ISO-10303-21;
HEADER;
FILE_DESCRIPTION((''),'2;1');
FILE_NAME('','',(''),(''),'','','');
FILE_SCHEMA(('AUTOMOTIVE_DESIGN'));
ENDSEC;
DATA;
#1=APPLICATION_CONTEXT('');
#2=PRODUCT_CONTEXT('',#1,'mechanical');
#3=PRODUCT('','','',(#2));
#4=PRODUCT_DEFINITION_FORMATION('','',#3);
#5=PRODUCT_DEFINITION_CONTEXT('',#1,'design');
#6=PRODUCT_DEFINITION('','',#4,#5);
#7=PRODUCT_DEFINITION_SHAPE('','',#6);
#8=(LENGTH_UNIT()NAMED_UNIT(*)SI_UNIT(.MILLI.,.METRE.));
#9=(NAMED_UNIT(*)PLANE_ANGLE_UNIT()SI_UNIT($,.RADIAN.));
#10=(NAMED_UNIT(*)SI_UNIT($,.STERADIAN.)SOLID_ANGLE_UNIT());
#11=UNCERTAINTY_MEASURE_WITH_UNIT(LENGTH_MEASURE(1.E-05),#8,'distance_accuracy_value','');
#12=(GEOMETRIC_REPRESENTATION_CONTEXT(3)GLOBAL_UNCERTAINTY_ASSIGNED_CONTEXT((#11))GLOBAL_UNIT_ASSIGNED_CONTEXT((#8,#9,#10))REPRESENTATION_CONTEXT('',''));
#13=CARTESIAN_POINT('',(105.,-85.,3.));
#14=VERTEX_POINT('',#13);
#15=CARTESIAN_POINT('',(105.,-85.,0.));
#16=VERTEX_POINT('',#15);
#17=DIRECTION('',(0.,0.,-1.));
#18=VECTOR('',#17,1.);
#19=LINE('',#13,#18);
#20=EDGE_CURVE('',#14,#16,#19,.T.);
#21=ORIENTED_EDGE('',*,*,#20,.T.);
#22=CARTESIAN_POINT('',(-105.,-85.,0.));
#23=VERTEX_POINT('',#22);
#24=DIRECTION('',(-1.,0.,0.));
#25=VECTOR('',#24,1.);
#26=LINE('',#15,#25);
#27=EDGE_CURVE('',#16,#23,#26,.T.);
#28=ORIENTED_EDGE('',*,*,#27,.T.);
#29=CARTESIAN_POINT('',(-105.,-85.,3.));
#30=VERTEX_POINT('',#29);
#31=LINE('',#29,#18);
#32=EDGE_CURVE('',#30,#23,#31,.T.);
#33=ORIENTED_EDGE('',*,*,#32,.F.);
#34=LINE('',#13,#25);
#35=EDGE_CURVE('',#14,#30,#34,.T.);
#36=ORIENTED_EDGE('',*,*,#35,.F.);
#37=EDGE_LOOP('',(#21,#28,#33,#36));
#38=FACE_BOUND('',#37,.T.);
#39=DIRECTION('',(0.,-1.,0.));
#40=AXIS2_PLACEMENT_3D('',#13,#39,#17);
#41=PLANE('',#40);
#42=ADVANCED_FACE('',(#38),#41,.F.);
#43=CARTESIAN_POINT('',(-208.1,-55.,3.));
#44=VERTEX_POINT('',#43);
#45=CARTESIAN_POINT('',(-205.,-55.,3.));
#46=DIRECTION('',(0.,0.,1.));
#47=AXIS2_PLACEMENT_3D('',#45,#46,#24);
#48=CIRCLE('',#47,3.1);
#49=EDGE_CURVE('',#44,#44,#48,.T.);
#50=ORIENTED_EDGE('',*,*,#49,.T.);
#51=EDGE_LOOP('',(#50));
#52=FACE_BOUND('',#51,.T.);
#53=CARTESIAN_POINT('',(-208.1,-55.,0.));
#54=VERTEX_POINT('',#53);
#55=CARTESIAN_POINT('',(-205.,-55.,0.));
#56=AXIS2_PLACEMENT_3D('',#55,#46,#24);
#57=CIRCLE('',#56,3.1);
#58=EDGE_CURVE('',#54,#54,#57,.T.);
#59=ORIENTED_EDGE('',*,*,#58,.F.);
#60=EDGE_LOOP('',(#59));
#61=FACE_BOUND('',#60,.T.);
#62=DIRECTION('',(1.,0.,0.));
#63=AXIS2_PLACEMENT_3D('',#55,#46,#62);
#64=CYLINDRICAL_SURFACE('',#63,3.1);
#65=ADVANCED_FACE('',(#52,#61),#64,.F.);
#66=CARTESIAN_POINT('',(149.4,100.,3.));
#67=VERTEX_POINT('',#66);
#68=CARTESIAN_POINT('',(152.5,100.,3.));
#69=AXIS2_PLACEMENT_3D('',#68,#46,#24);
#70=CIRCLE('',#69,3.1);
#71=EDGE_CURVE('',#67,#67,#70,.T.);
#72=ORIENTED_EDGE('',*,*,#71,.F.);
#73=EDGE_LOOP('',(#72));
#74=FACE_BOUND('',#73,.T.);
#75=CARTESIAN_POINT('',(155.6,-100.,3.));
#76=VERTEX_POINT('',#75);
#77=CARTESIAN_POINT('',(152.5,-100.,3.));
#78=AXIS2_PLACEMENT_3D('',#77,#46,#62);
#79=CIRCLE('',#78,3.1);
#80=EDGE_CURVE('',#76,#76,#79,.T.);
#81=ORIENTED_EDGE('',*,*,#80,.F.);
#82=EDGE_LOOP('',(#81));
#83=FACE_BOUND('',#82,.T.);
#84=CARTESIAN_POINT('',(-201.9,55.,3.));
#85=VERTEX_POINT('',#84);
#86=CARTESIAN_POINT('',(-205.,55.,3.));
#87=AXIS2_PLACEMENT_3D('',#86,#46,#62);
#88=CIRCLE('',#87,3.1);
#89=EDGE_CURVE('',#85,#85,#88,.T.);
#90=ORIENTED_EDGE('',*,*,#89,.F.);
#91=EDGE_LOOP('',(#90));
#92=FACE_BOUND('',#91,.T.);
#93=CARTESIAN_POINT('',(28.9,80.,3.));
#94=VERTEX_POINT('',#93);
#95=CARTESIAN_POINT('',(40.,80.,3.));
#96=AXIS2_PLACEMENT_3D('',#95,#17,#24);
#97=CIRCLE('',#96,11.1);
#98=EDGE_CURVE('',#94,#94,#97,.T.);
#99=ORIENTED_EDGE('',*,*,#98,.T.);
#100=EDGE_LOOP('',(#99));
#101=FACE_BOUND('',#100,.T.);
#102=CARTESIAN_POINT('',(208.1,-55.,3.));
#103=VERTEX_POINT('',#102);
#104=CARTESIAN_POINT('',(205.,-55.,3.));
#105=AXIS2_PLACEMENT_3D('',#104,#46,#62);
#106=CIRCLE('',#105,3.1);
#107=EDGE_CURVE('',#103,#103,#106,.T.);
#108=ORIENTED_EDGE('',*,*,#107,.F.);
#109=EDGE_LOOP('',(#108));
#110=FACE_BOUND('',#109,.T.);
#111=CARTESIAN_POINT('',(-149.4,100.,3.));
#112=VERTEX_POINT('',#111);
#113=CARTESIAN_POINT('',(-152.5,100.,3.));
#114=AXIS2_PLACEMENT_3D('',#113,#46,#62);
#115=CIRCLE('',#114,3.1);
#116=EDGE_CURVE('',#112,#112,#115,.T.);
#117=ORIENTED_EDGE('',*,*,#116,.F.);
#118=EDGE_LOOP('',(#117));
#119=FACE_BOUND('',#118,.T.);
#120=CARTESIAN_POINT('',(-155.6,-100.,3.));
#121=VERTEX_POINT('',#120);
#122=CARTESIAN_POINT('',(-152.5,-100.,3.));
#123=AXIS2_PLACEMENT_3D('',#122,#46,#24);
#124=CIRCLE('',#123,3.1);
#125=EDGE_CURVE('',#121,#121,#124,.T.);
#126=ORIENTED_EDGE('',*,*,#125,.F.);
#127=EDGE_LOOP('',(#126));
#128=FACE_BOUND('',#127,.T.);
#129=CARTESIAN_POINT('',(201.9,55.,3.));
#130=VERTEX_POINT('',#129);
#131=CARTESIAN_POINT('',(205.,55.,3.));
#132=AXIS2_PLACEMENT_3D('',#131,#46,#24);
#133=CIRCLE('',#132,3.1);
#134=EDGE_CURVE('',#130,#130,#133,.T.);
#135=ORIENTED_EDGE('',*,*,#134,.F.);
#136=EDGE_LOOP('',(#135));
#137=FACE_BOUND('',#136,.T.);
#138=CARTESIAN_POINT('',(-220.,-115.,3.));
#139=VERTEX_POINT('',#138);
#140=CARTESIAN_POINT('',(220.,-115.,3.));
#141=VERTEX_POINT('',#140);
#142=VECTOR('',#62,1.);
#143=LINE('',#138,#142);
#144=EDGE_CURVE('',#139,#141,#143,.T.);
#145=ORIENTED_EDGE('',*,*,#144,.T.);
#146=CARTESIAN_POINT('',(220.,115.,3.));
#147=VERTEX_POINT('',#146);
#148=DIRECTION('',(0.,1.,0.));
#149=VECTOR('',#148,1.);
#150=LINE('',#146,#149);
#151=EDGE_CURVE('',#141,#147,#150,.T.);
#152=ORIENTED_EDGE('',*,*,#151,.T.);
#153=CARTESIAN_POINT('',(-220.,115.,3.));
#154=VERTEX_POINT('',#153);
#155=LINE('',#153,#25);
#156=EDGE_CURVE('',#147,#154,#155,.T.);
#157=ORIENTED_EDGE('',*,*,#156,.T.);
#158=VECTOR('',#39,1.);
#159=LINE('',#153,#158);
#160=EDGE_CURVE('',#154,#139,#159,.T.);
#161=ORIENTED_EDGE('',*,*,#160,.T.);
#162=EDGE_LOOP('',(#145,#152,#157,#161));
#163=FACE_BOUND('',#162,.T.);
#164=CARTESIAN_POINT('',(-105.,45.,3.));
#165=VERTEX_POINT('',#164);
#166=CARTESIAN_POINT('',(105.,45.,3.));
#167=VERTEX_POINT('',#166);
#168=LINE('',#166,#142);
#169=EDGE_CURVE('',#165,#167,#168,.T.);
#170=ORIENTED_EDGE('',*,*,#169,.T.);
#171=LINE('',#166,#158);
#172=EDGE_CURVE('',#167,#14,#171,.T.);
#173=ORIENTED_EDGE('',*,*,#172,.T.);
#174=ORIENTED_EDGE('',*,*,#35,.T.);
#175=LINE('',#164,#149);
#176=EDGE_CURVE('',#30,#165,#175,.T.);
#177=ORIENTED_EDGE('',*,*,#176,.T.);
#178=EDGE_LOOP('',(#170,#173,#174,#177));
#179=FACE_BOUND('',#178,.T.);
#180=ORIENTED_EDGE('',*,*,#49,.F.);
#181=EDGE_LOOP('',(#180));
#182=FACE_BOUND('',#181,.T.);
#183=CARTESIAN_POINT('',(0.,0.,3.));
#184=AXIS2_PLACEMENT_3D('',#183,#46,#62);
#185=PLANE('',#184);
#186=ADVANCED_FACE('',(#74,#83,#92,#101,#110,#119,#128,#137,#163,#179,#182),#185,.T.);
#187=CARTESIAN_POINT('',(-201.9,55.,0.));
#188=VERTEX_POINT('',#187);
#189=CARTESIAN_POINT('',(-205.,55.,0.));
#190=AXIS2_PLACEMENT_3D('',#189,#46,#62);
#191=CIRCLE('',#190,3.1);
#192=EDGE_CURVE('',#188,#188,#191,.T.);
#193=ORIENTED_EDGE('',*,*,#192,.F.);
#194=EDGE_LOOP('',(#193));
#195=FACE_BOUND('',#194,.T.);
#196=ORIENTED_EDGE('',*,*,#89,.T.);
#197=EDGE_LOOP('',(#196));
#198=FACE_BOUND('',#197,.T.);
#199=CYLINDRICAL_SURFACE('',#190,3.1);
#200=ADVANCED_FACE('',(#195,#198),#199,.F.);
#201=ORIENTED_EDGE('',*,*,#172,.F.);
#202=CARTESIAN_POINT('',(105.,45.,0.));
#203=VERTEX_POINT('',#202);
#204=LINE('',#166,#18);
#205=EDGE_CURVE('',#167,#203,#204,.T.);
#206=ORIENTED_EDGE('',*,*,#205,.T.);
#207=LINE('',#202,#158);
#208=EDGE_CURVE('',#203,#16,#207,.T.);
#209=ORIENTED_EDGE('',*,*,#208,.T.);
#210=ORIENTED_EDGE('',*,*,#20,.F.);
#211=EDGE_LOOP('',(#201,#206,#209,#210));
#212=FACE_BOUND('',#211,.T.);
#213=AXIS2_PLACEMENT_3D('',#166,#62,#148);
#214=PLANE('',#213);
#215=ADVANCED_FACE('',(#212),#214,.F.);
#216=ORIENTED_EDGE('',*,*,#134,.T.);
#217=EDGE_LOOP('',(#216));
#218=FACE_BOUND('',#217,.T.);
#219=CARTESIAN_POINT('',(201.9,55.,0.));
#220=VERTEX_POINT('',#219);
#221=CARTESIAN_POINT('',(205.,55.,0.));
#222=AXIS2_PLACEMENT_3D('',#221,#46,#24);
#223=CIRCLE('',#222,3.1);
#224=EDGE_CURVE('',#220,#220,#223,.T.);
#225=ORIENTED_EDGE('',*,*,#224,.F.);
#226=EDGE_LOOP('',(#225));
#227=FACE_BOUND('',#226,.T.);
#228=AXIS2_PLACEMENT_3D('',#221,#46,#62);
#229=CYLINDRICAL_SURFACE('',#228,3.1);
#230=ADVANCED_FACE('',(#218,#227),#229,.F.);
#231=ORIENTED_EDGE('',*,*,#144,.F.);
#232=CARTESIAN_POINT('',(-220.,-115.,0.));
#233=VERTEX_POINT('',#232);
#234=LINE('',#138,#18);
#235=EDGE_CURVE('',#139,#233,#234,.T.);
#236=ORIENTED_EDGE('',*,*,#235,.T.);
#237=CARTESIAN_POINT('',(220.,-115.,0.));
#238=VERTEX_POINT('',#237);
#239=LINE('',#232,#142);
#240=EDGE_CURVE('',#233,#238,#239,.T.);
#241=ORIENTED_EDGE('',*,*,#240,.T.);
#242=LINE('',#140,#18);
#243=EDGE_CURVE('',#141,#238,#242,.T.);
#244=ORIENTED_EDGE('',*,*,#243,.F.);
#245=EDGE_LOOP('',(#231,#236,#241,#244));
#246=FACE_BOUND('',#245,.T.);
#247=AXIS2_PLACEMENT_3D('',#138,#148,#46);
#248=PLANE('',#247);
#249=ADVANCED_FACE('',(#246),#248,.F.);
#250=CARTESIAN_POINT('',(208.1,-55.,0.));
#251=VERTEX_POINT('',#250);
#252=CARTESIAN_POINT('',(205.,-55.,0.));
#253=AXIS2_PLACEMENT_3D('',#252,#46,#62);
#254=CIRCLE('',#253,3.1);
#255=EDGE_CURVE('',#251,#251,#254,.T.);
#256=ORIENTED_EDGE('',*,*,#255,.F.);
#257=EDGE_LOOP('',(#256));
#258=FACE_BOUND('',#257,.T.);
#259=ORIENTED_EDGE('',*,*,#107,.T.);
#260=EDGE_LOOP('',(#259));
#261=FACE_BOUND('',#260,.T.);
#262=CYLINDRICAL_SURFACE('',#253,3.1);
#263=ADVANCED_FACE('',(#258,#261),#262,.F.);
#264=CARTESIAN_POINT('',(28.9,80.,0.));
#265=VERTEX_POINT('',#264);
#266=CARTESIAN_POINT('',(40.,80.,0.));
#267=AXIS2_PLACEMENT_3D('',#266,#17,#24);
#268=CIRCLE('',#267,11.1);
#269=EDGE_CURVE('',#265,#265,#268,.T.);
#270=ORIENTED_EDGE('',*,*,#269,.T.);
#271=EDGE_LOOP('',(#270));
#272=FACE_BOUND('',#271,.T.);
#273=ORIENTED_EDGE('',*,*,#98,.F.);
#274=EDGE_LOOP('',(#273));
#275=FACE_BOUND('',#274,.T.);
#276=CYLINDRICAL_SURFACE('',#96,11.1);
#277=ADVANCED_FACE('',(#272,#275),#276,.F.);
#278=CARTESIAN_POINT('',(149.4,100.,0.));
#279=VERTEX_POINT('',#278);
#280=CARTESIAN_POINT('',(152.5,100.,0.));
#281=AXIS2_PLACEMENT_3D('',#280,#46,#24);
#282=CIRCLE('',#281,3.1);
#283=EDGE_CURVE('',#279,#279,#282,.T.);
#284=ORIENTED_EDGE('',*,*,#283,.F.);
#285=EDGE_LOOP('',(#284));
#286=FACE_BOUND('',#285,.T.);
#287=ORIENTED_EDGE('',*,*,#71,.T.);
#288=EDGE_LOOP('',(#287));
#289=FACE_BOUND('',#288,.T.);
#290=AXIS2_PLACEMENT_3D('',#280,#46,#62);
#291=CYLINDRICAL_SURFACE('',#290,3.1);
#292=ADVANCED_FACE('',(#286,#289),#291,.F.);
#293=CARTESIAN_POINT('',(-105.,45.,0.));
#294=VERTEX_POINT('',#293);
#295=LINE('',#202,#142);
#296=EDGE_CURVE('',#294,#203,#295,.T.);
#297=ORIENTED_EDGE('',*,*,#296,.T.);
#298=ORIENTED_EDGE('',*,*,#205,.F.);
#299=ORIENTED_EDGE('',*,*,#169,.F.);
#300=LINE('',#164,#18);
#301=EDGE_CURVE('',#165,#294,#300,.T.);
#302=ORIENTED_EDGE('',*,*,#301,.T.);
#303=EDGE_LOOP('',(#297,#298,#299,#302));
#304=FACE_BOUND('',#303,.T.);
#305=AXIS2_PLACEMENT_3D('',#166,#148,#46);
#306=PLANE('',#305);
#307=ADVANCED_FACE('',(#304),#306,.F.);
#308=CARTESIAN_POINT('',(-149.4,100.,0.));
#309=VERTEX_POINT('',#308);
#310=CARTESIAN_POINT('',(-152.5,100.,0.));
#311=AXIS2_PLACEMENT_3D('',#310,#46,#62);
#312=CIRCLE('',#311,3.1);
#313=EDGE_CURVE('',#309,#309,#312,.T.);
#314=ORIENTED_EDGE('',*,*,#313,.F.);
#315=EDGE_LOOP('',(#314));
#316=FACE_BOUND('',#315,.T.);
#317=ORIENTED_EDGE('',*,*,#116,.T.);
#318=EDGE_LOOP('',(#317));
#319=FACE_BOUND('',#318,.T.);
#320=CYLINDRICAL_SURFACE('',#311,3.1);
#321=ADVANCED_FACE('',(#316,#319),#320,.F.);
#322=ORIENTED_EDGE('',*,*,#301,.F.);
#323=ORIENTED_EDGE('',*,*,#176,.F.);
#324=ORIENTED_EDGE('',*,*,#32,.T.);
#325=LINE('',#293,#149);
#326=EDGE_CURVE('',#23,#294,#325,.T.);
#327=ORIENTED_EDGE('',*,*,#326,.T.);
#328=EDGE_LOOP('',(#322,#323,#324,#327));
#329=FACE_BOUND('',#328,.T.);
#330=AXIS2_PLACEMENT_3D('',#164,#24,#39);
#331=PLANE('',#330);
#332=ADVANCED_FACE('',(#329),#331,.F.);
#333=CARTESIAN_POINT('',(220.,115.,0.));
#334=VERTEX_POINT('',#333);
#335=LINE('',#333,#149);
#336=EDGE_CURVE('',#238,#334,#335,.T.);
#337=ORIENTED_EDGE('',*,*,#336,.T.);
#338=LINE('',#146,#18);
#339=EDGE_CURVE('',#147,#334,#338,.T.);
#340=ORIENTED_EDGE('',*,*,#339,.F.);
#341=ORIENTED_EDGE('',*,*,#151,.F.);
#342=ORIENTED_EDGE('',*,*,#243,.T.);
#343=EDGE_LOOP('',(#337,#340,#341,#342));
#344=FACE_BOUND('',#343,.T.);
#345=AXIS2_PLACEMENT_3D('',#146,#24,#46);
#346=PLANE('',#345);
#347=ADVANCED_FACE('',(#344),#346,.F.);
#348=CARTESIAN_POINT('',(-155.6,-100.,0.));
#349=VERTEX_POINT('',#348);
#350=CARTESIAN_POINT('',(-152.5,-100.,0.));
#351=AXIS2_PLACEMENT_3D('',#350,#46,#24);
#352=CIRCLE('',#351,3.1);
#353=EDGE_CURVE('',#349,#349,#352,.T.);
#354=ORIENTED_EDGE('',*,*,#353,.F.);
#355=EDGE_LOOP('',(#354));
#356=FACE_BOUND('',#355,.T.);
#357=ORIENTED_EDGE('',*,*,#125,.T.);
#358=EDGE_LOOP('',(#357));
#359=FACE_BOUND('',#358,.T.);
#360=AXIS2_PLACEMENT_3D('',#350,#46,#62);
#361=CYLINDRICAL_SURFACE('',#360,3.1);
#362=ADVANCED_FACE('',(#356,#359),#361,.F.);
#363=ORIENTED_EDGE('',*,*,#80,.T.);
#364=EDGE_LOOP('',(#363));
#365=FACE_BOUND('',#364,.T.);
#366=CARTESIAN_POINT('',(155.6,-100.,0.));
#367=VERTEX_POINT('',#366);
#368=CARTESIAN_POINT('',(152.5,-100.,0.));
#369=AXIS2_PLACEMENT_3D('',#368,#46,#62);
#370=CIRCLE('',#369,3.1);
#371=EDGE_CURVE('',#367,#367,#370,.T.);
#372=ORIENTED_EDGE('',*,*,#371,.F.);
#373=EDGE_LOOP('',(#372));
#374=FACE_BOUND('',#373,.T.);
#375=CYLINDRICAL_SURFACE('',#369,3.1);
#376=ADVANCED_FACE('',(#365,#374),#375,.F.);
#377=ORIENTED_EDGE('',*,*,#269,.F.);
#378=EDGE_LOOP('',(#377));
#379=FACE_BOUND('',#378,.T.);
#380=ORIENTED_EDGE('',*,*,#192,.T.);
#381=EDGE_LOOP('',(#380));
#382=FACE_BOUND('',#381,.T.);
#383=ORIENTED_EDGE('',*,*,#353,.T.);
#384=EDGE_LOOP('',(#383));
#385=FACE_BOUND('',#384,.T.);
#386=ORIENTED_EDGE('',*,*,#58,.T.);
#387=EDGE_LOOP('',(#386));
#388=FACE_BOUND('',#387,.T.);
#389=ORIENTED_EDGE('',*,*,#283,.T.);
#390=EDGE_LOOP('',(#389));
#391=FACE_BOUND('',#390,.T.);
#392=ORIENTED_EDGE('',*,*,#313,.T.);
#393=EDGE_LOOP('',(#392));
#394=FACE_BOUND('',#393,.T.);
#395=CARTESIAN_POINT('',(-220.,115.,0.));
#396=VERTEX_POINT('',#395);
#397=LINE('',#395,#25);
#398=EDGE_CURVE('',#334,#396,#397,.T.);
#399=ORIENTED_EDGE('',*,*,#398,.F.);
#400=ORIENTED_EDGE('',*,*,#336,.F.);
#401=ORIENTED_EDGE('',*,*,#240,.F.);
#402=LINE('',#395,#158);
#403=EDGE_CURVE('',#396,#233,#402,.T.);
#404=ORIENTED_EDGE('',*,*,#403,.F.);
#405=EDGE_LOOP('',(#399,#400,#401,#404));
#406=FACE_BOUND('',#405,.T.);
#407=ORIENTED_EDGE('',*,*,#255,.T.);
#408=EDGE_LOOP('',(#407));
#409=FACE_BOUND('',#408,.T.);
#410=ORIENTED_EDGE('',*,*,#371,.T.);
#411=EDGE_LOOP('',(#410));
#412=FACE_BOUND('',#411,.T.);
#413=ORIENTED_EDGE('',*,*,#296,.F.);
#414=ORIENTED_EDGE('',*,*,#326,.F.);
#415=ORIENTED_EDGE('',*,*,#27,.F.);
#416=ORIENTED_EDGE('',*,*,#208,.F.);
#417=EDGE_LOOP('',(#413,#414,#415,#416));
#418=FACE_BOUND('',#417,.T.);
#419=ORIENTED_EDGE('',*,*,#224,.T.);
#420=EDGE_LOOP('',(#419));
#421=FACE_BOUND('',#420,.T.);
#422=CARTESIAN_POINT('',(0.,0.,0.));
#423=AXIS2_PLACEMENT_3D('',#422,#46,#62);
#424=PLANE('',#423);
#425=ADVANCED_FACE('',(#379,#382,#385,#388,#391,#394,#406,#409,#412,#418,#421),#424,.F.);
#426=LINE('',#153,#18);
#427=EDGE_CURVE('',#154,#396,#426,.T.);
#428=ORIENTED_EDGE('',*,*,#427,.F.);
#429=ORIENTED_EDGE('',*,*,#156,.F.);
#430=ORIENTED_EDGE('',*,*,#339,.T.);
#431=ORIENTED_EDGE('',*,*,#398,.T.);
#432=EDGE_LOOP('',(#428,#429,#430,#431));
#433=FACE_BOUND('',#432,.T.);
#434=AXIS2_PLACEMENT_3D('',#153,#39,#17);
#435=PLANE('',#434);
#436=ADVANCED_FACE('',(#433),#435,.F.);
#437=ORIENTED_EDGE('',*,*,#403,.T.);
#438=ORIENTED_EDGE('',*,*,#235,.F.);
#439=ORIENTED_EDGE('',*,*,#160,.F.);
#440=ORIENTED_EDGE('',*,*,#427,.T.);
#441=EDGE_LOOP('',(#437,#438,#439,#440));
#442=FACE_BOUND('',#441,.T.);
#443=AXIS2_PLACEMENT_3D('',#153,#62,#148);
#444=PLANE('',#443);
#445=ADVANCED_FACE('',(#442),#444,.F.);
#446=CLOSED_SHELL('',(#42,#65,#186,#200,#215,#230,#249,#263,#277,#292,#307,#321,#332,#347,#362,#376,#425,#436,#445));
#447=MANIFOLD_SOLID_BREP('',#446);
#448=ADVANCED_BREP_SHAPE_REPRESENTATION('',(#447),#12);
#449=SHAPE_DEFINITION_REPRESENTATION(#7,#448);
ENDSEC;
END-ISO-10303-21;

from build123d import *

# Parameters (mm, degrees)
CROQUIS1_W              = 440
CROQUIS1_H              = 230
SALIENTE_EXTRUIR1_DEPTH = 3
CROQUIS2_R              = 3.1
CORTAR_EXTRUIR1_DEPTH   = 4
CROQUIS3_W              = 210
CROQUIS3_H              = 130
CORTAR_EXTRUIR2_DEPTH   = 4
CROQUIS4_R              = 11.1
CORTAR_EXTRUIR3_DEPTH   = 4


with BuildPart() as part:
    # Croquis1 → Saliente-Extruir1 (new body)
    with BuildSketch(Plane.XY):
        Rectangle(CROQUIS1_W, CROQUIS1_H)
    extrude(amount=SALIENTE_EXTRUIR1_DEPTH)

    # Croquis2 → Cortar-Extruir1 (cut, through all)
    with BuildSketch(Plane.XY.offset(3)):
        with Locations((-205, 55)):
            Circle(CROQUIS2_R)
        with Locations((-152.5, 100)):
            Circle(CROQUIS2_R)
        with Locations((152.5, 100)):
            Circle(CROQUIS2_R)
        with Locations((-205, -55)):
            Circle(CROQUIS2_R)
        with Locations((205, -55)):
            Circle(CROQUIS2_R)
        with Locations((205, 55)):
            Circle(CROQUIS2_R)
        with Locations((152.5, -100)):
            Circle(CROQUIS2_R)
        with Locations((-152.5, -100)):
            Circle(CROQUIS2_R)
    extrude(amount=-CORTAR_EXTRUIR1_DEPTH, mode=Mode.SUBTRACT)

    # Croquis3 → Cortar-Extruir2 (cut, through all)
    with BuildSketch(Plane(origin=(0, 0, 0), x_dir=(-1, 0, 0), z_dir=(0, 0, -1))):
        with Locations((0, -20)):
            Rectangle(CROQUIS3_W, CROQUIS3_H)
    extrude(amount=-CORTAR_EXTRUIR2_DEPTH, mode=Mode.SUBTRACT)

    # Croquis4 → Cortar-Extruir3 (cut, through all)
    with BuildSketch(Plane(origin=(0, 0, 0), x_dir=(-1, 0, 0), z_dir=(0, 0, -1))):
        with Locations((-40, 80)):
            Circle(CROQUIS4_R)
    extrude(amount=-CORTAR_EXTRUIR3_DEPTH, mode=Mode.SUBTRACT)


solid = part.part
